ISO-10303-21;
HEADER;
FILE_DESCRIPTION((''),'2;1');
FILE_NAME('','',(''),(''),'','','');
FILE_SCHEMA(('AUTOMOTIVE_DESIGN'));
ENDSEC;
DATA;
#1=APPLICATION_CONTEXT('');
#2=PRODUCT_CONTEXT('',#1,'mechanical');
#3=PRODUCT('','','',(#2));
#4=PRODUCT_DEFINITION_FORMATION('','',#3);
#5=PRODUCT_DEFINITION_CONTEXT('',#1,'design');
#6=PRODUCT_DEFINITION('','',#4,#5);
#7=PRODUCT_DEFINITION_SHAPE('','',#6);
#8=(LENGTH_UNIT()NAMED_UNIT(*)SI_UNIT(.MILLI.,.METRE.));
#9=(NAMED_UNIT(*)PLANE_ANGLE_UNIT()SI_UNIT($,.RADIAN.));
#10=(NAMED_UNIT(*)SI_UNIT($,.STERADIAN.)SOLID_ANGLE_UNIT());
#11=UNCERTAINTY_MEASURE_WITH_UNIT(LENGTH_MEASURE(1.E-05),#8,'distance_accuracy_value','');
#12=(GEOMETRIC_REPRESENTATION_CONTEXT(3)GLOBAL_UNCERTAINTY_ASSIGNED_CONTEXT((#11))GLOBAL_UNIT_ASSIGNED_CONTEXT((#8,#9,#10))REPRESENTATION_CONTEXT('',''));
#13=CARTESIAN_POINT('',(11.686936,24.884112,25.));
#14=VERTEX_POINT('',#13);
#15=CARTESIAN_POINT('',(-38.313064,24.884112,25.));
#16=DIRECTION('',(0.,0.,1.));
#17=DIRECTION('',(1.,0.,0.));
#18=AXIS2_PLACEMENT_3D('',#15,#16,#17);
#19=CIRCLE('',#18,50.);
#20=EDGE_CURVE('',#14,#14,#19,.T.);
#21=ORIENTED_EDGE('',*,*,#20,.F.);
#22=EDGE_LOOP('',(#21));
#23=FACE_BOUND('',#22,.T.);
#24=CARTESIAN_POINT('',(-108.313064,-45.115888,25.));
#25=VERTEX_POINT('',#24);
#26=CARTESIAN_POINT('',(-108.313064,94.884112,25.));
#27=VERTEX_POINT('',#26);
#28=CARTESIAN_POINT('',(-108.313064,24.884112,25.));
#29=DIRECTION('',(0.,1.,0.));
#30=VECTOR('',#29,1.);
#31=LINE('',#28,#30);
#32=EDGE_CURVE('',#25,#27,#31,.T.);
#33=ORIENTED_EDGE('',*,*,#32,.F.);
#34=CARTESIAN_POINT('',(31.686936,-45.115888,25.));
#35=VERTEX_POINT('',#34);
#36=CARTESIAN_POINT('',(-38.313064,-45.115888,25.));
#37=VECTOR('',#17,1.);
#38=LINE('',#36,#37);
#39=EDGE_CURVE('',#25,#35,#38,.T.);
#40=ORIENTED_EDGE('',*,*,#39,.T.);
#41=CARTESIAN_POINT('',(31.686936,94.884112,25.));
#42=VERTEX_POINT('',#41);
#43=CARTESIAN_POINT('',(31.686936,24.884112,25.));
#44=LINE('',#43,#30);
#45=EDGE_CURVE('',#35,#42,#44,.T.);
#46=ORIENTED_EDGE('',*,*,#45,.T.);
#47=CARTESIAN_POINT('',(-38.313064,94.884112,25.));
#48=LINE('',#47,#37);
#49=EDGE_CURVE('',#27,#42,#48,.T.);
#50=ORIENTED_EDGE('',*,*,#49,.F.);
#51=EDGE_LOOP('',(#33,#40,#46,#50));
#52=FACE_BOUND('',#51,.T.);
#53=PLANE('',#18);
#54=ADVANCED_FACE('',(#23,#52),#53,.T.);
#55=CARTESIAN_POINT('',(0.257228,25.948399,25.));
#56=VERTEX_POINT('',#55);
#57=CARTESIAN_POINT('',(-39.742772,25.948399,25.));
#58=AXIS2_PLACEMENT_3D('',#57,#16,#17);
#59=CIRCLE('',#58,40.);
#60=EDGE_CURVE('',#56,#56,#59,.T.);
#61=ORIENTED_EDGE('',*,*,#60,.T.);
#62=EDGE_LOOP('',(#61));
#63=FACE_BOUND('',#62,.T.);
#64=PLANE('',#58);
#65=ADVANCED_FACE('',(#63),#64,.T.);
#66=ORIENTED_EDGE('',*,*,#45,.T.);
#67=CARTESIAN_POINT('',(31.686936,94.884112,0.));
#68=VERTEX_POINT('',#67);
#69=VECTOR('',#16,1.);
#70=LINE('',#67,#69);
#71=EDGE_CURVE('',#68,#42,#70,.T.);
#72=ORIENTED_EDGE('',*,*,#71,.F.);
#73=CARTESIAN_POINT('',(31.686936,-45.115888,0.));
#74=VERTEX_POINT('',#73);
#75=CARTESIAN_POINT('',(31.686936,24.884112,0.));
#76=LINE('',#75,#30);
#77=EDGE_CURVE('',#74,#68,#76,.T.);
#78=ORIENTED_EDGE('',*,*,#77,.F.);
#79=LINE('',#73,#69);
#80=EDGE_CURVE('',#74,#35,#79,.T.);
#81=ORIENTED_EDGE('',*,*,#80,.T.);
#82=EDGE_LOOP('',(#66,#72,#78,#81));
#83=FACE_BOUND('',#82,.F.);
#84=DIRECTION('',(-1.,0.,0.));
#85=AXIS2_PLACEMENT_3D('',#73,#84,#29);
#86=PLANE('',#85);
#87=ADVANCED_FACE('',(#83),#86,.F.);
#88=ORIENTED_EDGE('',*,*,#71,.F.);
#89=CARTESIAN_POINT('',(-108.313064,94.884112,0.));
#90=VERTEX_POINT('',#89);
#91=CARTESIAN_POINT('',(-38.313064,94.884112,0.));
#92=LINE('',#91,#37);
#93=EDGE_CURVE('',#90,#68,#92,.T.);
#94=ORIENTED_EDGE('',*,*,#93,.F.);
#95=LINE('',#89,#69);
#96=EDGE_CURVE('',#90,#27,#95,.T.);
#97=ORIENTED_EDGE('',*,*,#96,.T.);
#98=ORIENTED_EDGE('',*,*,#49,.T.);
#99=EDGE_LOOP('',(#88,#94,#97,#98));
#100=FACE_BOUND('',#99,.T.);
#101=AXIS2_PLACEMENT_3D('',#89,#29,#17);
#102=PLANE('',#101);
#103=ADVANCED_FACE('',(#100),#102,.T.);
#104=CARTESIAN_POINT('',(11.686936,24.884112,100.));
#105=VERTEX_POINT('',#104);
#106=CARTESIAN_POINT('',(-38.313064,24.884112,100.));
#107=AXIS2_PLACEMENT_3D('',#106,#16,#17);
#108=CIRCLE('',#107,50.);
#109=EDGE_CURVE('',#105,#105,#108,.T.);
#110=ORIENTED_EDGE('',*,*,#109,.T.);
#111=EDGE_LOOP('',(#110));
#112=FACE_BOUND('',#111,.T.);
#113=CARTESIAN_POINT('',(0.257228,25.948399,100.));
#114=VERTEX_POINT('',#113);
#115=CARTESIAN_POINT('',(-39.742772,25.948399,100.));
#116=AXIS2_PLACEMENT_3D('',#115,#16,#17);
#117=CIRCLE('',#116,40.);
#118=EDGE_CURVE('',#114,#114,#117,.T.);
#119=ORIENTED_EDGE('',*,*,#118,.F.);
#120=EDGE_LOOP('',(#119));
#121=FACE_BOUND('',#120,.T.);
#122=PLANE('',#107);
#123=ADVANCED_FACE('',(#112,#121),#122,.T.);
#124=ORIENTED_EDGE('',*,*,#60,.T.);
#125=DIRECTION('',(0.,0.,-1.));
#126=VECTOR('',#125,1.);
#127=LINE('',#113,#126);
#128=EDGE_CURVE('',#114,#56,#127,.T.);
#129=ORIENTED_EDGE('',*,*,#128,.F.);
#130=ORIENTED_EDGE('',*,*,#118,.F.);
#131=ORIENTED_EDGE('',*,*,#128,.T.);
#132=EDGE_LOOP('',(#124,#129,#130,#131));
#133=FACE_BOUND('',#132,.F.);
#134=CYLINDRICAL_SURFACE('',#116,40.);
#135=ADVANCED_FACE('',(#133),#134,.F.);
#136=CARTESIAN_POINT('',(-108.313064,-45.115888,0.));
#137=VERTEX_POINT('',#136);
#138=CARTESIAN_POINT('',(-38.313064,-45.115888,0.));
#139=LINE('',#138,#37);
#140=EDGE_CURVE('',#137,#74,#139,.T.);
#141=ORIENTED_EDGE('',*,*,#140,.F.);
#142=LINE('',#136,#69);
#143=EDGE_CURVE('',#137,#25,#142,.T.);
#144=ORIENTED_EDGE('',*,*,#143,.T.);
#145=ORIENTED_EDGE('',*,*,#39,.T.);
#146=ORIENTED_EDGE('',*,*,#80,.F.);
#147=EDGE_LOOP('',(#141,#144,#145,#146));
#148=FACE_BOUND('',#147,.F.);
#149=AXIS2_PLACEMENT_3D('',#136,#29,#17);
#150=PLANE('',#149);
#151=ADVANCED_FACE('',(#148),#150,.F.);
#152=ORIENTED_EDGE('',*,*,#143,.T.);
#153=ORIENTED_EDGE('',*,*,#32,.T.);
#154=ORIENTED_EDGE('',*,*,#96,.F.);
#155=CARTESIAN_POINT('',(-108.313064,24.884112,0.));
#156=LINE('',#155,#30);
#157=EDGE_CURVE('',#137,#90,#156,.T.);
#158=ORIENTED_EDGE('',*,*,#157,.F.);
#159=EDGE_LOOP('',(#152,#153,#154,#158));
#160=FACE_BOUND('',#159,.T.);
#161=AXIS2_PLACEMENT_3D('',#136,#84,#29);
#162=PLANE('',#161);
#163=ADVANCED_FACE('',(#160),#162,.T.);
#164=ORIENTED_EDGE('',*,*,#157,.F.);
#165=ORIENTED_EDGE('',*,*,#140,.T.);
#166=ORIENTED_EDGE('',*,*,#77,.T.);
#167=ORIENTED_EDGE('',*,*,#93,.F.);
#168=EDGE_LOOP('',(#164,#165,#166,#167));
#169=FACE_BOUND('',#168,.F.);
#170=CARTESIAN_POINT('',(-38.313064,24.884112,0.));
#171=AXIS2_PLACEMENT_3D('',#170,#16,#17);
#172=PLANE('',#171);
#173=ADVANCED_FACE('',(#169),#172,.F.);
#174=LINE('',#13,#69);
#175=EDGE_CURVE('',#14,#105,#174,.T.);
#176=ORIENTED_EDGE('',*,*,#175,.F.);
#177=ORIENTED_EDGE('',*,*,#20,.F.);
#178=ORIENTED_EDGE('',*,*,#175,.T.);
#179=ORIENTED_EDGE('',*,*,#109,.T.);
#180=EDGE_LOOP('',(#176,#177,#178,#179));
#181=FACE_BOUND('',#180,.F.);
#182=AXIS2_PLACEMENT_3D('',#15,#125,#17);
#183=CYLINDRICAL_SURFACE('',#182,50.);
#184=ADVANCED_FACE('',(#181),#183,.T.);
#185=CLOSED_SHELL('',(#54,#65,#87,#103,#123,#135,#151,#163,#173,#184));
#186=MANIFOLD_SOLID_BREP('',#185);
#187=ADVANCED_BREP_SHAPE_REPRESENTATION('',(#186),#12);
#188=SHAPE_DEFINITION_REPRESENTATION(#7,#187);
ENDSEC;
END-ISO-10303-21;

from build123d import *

# Parameters (mm, degrees)
F0_W     = 140
F0_H     = 140
F1_DEPTH = 25
F2_R     = 50
F3_DEPTH = 75
F4_R     = 40
F5_DEPTH = 75


with BuildPart() as f1:
    # F0 (on Top) → F1 (new body)
    with BuildSketch(Plane.XY):
        with Locations((-38.313064, 24.884112)):
            Rectangle(F0_W, F0_H)
    extrude(amount=F1_DEPTH)

    # F2 (on face) → F3 (join)
    with BuildSketch(Plane.XY.offset(25)):
        with Locations((-38.313064, 24.884112)):
            Circle(F2_R)
    extrude(amount=F3_DEPTH)

    # F4 (on face) → F5 (cut)
    with BuildSketch(Plane.XY.offset(100)):
        with Locations((-39.742772, 25.948399)):
            Circle(F4_R)
    extrude(amount=-F5_DEPTH, mode=Mode.SUBTRACT)


solid = f1.part
